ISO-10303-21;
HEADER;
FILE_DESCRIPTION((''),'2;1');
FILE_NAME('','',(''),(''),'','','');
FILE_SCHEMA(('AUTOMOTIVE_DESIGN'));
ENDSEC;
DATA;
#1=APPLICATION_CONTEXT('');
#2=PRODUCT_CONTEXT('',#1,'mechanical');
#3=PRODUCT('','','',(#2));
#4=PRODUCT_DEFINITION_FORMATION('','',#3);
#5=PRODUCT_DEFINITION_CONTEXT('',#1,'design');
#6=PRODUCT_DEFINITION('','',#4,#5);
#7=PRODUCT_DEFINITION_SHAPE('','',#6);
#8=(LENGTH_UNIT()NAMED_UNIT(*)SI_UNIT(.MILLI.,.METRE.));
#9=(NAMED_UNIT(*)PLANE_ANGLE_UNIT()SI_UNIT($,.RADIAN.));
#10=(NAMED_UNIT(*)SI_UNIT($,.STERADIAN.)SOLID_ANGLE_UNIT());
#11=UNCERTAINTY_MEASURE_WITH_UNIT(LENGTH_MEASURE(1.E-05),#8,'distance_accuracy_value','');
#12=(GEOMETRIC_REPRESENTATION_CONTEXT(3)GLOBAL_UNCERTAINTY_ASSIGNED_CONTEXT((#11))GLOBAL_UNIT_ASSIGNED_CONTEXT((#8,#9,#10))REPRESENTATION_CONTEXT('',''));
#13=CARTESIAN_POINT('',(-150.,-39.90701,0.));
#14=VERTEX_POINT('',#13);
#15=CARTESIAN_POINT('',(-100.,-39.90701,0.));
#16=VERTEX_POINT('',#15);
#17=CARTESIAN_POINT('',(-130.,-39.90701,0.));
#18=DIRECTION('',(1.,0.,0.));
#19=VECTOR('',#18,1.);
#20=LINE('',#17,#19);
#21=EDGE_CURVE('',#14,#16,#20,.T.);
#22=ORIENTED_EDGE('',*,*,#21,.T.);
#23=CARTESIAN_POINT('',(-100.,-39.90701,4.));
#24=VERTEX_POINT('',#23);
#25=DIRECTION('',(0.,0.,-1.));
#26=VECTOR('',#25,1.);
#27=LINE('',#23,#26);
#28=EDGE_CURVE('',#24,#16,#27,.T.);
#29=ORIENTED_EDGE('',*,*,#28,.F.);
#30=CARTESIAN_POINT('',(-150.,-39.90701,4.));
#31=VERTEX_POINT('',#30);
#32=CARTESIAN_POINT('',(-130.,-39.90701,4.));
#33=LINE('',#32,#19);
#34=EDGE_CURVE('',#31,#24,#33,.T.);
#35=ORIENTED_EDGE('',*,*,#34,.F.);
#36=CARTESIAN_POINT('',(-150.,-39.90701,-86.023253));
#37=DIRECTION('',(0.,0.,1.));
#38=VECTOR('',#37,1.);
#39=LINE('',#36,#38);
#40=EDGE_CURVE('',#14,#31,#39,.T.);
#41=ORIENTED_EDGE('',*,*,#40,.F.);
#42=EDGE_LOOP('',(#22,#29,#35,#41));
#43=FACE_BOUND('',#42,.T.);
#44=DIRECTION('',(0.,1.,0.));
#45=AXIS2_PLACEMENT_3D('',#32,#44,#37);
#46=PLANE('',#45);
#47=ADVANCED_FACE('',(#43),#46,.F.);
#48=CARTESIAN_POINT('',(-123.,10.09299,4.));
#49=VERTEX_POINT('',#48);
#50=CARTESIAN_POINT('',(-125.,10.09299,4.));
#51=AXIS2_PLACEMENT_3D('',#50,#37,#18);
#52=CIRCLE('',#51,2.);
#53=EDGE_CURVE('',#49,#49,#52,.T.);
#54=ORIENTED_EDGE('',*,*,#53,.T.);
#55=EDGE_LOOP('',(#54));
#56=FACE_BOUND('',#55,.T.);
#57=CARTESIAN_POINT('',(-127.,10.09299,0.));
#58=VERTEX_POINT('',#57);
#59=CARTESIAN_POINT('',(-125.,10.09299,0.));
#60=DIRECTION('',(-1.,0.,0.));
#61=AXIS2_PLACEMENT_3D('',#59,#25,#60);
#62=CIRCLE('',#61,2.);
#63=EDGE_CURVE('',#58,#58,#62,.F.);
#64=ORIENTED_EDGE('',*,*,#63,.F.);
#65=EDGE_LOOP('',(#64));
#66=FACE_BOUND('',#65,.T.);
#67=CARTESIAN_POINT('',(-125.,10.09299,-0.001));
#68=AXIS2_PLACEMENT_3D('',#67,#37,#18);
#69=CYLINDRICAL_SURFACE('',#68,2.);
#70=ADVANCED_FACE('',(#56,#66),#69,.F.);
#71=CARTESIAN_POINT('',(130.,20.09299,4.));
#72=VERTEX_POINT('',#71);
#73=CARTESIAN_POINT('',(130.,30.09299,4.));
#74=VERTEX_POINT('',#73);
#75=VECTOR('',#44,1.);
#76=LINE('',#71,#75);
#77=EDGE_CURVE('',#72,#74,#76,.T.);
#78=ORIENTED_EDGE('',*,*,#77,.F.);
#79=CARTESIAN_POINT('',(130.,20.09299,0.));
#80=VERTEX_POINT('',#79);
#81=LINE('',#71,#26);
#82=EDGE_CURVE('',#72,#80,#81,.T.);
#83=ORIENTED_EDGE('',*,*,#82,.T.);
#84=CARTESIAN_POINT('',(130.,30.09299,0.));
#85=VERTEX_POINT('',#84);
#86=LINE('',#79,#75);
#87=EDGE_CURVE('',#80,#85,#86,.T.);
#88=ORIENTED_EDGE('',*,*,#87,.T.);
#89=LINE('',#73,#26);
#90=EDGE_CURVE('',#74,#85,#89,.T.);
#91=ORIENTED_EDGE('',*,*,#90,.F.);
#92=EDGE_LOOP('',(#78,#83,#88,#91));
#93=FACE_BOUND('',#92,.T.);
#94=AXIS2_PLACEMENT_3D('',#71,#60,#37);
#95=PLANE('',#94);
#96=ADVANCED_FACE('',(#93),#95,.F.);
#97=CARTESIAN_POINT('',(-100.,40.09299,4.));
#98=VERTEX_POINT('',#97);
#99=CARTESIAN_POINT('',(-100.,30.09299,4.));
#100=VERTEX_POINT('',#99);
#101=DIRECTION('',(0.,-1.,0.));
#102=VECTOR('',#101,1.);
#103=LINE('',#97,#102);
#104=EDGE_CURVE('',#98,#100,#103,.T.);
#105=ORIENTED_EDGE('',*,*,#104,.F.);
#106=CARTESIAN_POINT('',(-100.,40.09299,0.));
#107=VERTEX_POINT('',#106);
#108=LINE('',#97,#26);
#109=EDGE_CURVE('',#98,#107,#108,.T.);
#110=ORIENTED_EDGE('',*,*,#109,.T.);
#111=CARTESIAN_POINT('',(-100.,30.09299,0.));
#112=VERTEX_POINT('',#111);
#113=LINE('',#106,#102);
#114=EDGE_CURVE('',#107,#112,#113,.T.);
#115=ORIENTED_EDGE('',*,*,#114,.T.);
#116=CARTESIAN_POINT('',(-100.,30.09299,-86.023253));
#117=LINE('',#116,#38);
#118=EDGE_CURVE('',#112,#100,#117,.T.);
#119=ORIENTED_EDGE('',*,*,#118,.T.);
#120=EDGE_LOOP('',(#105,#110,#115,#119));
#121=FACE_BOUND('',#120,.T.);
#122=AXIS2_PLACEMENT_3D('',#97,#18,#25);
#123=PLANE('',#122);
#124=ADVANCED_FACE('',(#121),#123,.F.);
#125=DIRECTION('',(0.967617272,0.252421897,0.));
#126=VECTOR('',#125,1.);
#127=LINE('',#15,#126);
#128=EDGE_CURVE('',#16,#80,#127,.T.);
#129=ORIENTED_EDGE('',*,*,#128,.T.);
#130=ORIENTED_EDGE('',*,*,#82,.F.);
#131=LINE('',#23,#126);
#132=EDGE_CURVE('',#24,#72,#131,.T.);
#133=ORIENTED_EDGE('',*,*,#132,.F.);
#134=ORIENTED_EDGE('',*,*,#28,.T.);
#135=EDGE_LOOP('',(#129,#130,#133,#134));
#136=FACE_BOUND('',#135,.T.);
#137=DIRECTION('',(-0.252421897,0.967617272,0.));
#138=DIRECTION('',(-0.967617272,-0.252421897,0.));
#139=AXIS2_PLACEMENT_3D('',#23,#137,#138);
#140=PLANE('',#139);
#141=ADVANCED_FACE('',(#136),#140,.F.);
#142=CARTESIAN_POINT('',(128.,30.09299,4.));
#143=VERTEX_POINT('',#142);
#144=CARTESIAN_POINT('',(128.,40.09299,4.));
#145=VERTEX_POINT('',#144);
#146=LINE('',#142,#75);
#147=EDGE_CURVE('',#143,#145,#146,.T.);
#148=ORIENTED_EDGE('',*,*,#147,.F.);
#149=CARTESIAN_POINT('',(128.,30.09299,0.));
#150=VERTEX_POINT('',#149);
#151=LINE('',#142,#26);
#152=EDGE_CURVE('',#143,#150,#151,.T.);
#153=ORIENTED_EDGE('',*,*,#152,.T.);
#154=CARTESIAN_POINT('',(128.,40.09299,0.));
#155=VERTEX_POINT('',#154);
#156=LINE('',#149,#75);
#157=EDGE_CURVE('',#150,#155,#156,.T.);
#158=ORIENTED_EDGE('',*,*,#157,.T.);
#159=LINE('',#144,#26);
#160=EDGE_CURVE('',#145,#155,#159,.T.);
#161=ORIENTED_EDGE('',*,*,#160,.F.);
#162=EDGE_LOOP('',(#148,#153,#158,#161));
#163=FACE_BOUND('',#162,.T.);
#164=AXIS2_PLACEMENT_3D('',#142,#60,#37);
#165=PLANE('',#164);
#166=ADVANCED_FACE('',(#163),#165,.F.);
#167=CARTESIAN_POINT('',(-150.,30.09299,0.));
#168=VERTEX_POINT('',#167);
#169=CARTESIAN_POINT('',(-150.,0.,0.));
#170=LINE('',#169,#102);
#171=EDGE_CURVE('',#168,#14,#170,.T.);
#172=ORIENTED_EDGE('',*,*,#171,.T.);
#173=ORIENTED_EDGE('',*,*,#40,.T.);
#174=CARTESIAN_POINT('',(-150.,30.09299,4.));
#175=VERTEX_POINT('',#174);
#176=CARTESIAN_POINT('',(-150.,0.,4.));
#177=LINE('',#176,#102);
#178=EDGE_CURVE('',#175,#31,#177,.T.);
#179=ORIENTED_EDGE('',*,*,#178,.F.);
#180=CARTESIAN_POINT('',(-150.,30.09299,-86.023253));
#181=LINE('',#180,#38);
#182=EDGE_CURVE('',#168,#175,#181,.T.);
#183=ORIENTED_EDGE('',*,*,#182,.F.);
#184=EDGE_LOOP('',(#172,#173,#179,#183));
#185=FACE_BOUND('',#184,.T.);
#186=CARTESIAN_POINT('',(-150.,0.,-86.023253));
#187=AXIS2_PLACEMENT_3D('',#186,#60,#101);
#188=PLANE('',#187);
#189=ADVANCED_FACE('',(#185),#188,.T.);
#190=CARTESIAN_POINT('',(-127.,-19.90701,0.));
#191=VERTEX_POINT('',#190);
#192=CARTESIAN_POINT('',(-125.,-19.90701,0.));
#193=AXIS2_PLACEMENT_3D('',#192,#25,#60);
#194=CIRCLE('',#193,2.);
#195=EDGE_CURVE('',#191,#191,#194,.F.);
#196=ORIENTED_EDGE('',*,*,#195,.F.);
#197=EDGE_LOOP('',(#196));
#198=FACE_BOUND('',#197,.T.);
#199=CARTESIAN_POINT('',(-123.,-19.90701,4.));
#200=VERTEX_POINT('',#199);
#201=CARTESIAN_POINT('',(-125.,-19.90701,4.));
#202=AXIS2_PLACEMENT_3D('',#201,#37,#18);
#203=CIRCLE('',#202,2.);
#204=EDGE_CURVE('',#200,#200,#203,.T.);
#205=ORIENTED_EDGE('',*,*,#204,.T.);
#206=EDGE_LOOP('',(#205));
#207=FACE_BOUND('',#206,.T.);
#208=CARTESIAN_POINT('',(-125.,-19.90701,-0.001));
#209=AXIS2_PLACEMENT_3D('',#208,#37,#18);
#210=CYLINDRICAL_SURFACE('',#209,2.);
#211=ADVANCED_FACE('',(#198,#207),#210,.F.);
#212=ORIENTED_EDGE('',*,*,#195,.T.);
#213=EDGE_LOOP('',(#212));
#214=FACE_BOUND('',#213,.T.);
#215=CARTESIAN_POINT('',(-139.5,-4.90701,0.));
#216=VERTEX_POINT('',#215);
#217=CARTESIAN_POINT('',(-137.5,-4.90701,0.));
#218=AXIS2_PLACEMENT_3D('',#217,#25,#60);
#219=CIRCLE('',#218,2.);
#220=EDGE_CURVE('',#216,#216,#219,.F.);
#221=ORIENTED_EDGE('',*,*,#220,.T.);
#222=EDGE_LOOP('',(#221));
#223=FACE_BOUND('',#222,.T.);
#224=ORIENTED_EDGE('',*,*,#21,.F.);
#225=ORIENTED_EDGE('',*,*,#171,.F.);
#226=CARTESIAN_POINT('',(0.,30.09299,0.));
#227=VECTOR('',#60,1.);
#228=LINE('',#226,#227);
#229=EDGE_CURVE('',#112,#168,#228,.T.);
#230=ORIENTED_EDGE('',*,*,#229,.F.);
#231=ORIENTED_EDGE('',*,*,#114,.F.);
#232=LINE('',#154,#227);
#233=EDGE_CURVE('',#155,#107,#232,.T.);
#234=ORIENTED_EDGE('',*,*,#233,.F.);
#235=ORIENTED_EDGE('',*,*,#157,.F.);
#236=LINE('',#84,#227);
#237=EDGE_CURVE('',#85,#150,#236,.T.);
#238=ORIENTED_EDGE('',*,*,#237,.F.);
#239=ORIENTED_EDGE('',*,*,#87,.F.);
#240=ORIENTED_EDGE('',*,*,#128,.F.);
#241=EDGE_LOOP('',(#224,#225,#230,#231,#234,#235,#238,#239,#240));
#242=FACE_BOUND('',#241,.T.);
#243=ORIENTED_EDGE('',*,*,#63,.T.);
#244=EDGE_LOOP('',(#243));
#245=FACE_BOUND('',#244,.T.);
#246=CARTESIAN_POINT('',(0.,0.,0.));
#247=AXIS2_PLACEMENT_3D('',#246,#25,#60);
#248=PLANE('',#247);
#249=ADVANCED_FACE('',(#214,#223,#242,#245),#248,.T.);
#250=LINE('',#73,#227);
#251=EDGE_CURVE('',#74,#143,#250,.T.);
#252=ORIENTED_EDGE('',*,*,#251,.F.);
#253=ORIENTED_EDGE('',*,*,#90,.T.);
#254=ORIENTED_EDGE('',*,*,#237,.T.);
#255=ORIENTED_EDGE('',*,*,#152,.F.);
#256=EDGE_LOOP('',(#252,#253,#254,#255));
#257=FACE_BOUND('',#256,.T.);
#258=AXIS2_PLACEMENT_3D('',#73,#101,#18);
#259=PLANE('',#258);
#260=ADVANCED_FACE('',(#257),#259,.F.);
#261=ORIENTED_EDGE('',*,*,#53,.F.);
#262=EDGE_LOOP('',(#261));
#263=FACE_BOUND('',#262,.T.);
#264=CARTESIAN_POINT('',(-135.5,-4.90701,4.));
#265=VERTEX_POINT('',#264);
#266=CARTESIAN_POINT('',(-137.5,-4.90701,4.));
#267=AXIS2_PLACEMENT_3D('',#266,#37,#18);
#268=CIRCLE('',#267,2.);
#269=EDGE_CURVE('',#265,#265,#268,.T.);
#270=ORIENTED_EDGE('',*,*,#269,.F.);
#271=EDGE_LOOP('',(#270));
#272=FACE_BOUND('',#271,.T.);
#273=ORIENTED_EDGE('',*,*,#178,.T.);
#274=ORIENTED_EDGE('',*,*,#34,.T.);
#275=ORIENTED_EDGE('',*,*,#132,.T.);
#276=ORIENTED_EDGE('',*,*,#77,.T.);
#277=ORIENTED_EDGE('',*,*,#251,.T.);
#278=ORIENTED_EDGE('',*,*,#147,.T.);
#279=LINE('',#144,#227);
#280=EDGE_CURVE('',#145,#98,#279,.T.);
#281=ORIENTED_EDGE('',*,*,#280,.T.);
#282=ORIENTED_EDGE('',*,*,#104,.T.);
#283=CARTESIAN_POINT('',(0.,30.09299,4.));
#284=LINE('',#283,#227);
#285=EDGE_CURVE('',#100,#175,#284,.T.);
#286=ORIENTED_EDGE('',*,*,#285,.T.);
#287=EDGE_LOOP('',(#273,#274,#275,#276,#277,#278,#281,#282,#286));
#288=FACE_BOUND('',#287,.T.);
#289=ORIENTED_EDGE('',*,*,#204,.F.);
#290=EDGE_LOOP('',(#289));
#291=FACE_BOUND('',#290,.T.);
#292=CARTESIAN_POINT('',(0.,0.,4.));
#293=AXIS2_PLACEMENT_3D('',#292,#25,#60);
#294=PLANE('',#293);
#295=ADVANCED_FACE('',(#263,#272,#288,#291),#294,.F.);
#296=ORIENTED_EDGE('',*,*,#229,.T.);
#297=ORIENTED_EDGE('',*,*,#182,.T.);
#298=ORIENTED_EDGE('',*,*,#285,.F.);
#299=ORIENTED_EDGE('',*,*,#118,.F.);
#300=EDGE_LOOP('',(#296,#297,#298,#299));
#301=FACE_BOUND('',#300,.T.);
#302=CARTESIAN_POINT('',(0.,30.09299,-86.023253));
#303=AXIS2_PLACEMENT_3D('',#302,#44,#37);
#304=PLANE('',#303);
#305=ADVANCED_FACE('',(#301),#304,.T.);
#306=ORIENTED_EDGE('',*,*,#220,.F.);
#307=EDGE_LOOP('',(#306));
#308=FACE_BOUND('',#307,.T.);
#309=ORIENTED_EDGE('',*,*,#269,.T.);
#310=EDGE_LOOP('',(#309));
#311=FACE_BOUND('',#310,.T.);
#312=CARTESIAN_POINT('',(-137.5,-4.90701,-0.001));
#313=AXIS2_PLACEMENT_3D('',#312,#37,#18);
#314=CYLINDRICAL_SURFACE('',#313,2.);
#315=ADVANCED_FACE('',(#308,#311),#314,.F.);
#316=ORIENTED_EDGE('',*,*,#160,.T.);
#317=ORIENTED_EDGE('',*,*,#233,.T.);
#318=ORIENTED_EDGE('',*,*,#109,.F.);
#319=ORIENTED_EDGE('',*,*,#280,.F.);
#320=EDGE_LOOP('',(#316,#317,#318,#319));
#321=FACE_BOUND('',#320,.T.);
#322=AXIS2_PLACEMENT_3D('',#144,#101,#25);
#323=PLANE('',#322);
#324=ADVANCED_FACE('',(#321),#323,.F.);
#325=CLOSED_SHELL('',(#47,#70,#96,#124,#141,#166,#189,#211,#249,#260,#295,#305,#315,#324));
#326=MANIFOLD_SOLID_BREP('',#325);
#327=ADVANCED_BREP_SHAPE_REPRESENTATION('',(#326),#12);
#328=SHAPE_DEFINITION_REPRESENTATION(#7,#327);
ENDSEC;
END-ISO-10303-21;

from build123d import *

# Parameters (mm, degrees)
BOSS_EXTRUDE1_DEPTH = 4
BOSS_EXTRUDE2_DEPTH = 4
CUT_EXTRUDE1_REACH  = 6
SKETCH3_R           = 2


with BuildPart() as part:
    # Sketch1 → Boss-Extrude1 (new body)
    with BuildSketch(Plane.XY):
        Polygon((128, 30.092990436), (128, 40.092990436), (-100, 40.092990436), (-100, 20.092990436), (-130, 20.092990436), (-130, -39.907009564), (-100, -39.907009564), (130, 20.092990436), (130, 30.092990436), align=None)
    extrude(amount=BOSS_EXTRUDE1_DEPTH)

    # Sketch2 → Boss-Extrude2 (add)
    with BuildSketch(Plane.XY.offset(4)):
        Polygon((-100, 30.092990436), (-150, 30.092990436), (-150, -39.907009564), (-130, -39.907009564), (-130, 20.092990436), (-100, 20.092990436), align=None)
    extrude(amount=-BOSS_EXTRUDE2_DEPTH)

    # Sketch3 → Cut-Extrude1 (cut, up to next)
    with BuildSketch(Plane.XY.offset(4), mode=Mode.PRIVATE) as cut_extrude1_sk1:
        with Locations((-125, 10.092990436)):
            Circle(SKETCH3_R)
    cut_extrude1_tool1 = extrude(cut_extrude1_sk1.sketch, amount=-CUT_EXTRUDE1_REACH, mode=Mode.PRIVATE) & part.part
    add(cut_extrude1_tool1.solids().sort_by_distance((-125, 10.09299, 4))[0], mode=Mode.SUBTRACT)
    # Sketch3 → Cut-Extrude1 (cut, up to next)
    with BuildSketch(Plane.XY.offset(4), mode=Mode.PRIVATE) as cut_extrude1_sk2:
        with Locations((-125, -19.907009564)):
            Circle(SKETCH3_R)
    cut_extrude1_tool2 = extrude(cut_extrude1_sk2.sketch, amount=-CUT_EXTRUDE1_REACH, mode=Mode.PRIVATE) & part.part
    add(cut_extrude1_tool2.solids().sort_by_distance((-125, -19.90701, 4))[0], mode=Mode.SUBTRACT)
    # Sketch3 → Cut-Extrude1 (cut, up to next)
    with BuildSketch(Plane.XY.offset(4), mode=Mode.PRIVATE) as cut_extrude1_sk3:
        with Locations((-137.5, -4.907009564)):
            Circle(SKETCH3_R)
    cut_extrude1_tool3 = extrude(cut_extrude1_sk3.sketch, amount=-CUT_EXTRUDE1_REACH, mode=Mode.PRIVATE) & part.part
    add(cut_extrude1_tool3.solids().sort_by_distance((-137.5, -4.90701, 4))[0], mode=Mode.SUBTRACT)


solid = part.part
